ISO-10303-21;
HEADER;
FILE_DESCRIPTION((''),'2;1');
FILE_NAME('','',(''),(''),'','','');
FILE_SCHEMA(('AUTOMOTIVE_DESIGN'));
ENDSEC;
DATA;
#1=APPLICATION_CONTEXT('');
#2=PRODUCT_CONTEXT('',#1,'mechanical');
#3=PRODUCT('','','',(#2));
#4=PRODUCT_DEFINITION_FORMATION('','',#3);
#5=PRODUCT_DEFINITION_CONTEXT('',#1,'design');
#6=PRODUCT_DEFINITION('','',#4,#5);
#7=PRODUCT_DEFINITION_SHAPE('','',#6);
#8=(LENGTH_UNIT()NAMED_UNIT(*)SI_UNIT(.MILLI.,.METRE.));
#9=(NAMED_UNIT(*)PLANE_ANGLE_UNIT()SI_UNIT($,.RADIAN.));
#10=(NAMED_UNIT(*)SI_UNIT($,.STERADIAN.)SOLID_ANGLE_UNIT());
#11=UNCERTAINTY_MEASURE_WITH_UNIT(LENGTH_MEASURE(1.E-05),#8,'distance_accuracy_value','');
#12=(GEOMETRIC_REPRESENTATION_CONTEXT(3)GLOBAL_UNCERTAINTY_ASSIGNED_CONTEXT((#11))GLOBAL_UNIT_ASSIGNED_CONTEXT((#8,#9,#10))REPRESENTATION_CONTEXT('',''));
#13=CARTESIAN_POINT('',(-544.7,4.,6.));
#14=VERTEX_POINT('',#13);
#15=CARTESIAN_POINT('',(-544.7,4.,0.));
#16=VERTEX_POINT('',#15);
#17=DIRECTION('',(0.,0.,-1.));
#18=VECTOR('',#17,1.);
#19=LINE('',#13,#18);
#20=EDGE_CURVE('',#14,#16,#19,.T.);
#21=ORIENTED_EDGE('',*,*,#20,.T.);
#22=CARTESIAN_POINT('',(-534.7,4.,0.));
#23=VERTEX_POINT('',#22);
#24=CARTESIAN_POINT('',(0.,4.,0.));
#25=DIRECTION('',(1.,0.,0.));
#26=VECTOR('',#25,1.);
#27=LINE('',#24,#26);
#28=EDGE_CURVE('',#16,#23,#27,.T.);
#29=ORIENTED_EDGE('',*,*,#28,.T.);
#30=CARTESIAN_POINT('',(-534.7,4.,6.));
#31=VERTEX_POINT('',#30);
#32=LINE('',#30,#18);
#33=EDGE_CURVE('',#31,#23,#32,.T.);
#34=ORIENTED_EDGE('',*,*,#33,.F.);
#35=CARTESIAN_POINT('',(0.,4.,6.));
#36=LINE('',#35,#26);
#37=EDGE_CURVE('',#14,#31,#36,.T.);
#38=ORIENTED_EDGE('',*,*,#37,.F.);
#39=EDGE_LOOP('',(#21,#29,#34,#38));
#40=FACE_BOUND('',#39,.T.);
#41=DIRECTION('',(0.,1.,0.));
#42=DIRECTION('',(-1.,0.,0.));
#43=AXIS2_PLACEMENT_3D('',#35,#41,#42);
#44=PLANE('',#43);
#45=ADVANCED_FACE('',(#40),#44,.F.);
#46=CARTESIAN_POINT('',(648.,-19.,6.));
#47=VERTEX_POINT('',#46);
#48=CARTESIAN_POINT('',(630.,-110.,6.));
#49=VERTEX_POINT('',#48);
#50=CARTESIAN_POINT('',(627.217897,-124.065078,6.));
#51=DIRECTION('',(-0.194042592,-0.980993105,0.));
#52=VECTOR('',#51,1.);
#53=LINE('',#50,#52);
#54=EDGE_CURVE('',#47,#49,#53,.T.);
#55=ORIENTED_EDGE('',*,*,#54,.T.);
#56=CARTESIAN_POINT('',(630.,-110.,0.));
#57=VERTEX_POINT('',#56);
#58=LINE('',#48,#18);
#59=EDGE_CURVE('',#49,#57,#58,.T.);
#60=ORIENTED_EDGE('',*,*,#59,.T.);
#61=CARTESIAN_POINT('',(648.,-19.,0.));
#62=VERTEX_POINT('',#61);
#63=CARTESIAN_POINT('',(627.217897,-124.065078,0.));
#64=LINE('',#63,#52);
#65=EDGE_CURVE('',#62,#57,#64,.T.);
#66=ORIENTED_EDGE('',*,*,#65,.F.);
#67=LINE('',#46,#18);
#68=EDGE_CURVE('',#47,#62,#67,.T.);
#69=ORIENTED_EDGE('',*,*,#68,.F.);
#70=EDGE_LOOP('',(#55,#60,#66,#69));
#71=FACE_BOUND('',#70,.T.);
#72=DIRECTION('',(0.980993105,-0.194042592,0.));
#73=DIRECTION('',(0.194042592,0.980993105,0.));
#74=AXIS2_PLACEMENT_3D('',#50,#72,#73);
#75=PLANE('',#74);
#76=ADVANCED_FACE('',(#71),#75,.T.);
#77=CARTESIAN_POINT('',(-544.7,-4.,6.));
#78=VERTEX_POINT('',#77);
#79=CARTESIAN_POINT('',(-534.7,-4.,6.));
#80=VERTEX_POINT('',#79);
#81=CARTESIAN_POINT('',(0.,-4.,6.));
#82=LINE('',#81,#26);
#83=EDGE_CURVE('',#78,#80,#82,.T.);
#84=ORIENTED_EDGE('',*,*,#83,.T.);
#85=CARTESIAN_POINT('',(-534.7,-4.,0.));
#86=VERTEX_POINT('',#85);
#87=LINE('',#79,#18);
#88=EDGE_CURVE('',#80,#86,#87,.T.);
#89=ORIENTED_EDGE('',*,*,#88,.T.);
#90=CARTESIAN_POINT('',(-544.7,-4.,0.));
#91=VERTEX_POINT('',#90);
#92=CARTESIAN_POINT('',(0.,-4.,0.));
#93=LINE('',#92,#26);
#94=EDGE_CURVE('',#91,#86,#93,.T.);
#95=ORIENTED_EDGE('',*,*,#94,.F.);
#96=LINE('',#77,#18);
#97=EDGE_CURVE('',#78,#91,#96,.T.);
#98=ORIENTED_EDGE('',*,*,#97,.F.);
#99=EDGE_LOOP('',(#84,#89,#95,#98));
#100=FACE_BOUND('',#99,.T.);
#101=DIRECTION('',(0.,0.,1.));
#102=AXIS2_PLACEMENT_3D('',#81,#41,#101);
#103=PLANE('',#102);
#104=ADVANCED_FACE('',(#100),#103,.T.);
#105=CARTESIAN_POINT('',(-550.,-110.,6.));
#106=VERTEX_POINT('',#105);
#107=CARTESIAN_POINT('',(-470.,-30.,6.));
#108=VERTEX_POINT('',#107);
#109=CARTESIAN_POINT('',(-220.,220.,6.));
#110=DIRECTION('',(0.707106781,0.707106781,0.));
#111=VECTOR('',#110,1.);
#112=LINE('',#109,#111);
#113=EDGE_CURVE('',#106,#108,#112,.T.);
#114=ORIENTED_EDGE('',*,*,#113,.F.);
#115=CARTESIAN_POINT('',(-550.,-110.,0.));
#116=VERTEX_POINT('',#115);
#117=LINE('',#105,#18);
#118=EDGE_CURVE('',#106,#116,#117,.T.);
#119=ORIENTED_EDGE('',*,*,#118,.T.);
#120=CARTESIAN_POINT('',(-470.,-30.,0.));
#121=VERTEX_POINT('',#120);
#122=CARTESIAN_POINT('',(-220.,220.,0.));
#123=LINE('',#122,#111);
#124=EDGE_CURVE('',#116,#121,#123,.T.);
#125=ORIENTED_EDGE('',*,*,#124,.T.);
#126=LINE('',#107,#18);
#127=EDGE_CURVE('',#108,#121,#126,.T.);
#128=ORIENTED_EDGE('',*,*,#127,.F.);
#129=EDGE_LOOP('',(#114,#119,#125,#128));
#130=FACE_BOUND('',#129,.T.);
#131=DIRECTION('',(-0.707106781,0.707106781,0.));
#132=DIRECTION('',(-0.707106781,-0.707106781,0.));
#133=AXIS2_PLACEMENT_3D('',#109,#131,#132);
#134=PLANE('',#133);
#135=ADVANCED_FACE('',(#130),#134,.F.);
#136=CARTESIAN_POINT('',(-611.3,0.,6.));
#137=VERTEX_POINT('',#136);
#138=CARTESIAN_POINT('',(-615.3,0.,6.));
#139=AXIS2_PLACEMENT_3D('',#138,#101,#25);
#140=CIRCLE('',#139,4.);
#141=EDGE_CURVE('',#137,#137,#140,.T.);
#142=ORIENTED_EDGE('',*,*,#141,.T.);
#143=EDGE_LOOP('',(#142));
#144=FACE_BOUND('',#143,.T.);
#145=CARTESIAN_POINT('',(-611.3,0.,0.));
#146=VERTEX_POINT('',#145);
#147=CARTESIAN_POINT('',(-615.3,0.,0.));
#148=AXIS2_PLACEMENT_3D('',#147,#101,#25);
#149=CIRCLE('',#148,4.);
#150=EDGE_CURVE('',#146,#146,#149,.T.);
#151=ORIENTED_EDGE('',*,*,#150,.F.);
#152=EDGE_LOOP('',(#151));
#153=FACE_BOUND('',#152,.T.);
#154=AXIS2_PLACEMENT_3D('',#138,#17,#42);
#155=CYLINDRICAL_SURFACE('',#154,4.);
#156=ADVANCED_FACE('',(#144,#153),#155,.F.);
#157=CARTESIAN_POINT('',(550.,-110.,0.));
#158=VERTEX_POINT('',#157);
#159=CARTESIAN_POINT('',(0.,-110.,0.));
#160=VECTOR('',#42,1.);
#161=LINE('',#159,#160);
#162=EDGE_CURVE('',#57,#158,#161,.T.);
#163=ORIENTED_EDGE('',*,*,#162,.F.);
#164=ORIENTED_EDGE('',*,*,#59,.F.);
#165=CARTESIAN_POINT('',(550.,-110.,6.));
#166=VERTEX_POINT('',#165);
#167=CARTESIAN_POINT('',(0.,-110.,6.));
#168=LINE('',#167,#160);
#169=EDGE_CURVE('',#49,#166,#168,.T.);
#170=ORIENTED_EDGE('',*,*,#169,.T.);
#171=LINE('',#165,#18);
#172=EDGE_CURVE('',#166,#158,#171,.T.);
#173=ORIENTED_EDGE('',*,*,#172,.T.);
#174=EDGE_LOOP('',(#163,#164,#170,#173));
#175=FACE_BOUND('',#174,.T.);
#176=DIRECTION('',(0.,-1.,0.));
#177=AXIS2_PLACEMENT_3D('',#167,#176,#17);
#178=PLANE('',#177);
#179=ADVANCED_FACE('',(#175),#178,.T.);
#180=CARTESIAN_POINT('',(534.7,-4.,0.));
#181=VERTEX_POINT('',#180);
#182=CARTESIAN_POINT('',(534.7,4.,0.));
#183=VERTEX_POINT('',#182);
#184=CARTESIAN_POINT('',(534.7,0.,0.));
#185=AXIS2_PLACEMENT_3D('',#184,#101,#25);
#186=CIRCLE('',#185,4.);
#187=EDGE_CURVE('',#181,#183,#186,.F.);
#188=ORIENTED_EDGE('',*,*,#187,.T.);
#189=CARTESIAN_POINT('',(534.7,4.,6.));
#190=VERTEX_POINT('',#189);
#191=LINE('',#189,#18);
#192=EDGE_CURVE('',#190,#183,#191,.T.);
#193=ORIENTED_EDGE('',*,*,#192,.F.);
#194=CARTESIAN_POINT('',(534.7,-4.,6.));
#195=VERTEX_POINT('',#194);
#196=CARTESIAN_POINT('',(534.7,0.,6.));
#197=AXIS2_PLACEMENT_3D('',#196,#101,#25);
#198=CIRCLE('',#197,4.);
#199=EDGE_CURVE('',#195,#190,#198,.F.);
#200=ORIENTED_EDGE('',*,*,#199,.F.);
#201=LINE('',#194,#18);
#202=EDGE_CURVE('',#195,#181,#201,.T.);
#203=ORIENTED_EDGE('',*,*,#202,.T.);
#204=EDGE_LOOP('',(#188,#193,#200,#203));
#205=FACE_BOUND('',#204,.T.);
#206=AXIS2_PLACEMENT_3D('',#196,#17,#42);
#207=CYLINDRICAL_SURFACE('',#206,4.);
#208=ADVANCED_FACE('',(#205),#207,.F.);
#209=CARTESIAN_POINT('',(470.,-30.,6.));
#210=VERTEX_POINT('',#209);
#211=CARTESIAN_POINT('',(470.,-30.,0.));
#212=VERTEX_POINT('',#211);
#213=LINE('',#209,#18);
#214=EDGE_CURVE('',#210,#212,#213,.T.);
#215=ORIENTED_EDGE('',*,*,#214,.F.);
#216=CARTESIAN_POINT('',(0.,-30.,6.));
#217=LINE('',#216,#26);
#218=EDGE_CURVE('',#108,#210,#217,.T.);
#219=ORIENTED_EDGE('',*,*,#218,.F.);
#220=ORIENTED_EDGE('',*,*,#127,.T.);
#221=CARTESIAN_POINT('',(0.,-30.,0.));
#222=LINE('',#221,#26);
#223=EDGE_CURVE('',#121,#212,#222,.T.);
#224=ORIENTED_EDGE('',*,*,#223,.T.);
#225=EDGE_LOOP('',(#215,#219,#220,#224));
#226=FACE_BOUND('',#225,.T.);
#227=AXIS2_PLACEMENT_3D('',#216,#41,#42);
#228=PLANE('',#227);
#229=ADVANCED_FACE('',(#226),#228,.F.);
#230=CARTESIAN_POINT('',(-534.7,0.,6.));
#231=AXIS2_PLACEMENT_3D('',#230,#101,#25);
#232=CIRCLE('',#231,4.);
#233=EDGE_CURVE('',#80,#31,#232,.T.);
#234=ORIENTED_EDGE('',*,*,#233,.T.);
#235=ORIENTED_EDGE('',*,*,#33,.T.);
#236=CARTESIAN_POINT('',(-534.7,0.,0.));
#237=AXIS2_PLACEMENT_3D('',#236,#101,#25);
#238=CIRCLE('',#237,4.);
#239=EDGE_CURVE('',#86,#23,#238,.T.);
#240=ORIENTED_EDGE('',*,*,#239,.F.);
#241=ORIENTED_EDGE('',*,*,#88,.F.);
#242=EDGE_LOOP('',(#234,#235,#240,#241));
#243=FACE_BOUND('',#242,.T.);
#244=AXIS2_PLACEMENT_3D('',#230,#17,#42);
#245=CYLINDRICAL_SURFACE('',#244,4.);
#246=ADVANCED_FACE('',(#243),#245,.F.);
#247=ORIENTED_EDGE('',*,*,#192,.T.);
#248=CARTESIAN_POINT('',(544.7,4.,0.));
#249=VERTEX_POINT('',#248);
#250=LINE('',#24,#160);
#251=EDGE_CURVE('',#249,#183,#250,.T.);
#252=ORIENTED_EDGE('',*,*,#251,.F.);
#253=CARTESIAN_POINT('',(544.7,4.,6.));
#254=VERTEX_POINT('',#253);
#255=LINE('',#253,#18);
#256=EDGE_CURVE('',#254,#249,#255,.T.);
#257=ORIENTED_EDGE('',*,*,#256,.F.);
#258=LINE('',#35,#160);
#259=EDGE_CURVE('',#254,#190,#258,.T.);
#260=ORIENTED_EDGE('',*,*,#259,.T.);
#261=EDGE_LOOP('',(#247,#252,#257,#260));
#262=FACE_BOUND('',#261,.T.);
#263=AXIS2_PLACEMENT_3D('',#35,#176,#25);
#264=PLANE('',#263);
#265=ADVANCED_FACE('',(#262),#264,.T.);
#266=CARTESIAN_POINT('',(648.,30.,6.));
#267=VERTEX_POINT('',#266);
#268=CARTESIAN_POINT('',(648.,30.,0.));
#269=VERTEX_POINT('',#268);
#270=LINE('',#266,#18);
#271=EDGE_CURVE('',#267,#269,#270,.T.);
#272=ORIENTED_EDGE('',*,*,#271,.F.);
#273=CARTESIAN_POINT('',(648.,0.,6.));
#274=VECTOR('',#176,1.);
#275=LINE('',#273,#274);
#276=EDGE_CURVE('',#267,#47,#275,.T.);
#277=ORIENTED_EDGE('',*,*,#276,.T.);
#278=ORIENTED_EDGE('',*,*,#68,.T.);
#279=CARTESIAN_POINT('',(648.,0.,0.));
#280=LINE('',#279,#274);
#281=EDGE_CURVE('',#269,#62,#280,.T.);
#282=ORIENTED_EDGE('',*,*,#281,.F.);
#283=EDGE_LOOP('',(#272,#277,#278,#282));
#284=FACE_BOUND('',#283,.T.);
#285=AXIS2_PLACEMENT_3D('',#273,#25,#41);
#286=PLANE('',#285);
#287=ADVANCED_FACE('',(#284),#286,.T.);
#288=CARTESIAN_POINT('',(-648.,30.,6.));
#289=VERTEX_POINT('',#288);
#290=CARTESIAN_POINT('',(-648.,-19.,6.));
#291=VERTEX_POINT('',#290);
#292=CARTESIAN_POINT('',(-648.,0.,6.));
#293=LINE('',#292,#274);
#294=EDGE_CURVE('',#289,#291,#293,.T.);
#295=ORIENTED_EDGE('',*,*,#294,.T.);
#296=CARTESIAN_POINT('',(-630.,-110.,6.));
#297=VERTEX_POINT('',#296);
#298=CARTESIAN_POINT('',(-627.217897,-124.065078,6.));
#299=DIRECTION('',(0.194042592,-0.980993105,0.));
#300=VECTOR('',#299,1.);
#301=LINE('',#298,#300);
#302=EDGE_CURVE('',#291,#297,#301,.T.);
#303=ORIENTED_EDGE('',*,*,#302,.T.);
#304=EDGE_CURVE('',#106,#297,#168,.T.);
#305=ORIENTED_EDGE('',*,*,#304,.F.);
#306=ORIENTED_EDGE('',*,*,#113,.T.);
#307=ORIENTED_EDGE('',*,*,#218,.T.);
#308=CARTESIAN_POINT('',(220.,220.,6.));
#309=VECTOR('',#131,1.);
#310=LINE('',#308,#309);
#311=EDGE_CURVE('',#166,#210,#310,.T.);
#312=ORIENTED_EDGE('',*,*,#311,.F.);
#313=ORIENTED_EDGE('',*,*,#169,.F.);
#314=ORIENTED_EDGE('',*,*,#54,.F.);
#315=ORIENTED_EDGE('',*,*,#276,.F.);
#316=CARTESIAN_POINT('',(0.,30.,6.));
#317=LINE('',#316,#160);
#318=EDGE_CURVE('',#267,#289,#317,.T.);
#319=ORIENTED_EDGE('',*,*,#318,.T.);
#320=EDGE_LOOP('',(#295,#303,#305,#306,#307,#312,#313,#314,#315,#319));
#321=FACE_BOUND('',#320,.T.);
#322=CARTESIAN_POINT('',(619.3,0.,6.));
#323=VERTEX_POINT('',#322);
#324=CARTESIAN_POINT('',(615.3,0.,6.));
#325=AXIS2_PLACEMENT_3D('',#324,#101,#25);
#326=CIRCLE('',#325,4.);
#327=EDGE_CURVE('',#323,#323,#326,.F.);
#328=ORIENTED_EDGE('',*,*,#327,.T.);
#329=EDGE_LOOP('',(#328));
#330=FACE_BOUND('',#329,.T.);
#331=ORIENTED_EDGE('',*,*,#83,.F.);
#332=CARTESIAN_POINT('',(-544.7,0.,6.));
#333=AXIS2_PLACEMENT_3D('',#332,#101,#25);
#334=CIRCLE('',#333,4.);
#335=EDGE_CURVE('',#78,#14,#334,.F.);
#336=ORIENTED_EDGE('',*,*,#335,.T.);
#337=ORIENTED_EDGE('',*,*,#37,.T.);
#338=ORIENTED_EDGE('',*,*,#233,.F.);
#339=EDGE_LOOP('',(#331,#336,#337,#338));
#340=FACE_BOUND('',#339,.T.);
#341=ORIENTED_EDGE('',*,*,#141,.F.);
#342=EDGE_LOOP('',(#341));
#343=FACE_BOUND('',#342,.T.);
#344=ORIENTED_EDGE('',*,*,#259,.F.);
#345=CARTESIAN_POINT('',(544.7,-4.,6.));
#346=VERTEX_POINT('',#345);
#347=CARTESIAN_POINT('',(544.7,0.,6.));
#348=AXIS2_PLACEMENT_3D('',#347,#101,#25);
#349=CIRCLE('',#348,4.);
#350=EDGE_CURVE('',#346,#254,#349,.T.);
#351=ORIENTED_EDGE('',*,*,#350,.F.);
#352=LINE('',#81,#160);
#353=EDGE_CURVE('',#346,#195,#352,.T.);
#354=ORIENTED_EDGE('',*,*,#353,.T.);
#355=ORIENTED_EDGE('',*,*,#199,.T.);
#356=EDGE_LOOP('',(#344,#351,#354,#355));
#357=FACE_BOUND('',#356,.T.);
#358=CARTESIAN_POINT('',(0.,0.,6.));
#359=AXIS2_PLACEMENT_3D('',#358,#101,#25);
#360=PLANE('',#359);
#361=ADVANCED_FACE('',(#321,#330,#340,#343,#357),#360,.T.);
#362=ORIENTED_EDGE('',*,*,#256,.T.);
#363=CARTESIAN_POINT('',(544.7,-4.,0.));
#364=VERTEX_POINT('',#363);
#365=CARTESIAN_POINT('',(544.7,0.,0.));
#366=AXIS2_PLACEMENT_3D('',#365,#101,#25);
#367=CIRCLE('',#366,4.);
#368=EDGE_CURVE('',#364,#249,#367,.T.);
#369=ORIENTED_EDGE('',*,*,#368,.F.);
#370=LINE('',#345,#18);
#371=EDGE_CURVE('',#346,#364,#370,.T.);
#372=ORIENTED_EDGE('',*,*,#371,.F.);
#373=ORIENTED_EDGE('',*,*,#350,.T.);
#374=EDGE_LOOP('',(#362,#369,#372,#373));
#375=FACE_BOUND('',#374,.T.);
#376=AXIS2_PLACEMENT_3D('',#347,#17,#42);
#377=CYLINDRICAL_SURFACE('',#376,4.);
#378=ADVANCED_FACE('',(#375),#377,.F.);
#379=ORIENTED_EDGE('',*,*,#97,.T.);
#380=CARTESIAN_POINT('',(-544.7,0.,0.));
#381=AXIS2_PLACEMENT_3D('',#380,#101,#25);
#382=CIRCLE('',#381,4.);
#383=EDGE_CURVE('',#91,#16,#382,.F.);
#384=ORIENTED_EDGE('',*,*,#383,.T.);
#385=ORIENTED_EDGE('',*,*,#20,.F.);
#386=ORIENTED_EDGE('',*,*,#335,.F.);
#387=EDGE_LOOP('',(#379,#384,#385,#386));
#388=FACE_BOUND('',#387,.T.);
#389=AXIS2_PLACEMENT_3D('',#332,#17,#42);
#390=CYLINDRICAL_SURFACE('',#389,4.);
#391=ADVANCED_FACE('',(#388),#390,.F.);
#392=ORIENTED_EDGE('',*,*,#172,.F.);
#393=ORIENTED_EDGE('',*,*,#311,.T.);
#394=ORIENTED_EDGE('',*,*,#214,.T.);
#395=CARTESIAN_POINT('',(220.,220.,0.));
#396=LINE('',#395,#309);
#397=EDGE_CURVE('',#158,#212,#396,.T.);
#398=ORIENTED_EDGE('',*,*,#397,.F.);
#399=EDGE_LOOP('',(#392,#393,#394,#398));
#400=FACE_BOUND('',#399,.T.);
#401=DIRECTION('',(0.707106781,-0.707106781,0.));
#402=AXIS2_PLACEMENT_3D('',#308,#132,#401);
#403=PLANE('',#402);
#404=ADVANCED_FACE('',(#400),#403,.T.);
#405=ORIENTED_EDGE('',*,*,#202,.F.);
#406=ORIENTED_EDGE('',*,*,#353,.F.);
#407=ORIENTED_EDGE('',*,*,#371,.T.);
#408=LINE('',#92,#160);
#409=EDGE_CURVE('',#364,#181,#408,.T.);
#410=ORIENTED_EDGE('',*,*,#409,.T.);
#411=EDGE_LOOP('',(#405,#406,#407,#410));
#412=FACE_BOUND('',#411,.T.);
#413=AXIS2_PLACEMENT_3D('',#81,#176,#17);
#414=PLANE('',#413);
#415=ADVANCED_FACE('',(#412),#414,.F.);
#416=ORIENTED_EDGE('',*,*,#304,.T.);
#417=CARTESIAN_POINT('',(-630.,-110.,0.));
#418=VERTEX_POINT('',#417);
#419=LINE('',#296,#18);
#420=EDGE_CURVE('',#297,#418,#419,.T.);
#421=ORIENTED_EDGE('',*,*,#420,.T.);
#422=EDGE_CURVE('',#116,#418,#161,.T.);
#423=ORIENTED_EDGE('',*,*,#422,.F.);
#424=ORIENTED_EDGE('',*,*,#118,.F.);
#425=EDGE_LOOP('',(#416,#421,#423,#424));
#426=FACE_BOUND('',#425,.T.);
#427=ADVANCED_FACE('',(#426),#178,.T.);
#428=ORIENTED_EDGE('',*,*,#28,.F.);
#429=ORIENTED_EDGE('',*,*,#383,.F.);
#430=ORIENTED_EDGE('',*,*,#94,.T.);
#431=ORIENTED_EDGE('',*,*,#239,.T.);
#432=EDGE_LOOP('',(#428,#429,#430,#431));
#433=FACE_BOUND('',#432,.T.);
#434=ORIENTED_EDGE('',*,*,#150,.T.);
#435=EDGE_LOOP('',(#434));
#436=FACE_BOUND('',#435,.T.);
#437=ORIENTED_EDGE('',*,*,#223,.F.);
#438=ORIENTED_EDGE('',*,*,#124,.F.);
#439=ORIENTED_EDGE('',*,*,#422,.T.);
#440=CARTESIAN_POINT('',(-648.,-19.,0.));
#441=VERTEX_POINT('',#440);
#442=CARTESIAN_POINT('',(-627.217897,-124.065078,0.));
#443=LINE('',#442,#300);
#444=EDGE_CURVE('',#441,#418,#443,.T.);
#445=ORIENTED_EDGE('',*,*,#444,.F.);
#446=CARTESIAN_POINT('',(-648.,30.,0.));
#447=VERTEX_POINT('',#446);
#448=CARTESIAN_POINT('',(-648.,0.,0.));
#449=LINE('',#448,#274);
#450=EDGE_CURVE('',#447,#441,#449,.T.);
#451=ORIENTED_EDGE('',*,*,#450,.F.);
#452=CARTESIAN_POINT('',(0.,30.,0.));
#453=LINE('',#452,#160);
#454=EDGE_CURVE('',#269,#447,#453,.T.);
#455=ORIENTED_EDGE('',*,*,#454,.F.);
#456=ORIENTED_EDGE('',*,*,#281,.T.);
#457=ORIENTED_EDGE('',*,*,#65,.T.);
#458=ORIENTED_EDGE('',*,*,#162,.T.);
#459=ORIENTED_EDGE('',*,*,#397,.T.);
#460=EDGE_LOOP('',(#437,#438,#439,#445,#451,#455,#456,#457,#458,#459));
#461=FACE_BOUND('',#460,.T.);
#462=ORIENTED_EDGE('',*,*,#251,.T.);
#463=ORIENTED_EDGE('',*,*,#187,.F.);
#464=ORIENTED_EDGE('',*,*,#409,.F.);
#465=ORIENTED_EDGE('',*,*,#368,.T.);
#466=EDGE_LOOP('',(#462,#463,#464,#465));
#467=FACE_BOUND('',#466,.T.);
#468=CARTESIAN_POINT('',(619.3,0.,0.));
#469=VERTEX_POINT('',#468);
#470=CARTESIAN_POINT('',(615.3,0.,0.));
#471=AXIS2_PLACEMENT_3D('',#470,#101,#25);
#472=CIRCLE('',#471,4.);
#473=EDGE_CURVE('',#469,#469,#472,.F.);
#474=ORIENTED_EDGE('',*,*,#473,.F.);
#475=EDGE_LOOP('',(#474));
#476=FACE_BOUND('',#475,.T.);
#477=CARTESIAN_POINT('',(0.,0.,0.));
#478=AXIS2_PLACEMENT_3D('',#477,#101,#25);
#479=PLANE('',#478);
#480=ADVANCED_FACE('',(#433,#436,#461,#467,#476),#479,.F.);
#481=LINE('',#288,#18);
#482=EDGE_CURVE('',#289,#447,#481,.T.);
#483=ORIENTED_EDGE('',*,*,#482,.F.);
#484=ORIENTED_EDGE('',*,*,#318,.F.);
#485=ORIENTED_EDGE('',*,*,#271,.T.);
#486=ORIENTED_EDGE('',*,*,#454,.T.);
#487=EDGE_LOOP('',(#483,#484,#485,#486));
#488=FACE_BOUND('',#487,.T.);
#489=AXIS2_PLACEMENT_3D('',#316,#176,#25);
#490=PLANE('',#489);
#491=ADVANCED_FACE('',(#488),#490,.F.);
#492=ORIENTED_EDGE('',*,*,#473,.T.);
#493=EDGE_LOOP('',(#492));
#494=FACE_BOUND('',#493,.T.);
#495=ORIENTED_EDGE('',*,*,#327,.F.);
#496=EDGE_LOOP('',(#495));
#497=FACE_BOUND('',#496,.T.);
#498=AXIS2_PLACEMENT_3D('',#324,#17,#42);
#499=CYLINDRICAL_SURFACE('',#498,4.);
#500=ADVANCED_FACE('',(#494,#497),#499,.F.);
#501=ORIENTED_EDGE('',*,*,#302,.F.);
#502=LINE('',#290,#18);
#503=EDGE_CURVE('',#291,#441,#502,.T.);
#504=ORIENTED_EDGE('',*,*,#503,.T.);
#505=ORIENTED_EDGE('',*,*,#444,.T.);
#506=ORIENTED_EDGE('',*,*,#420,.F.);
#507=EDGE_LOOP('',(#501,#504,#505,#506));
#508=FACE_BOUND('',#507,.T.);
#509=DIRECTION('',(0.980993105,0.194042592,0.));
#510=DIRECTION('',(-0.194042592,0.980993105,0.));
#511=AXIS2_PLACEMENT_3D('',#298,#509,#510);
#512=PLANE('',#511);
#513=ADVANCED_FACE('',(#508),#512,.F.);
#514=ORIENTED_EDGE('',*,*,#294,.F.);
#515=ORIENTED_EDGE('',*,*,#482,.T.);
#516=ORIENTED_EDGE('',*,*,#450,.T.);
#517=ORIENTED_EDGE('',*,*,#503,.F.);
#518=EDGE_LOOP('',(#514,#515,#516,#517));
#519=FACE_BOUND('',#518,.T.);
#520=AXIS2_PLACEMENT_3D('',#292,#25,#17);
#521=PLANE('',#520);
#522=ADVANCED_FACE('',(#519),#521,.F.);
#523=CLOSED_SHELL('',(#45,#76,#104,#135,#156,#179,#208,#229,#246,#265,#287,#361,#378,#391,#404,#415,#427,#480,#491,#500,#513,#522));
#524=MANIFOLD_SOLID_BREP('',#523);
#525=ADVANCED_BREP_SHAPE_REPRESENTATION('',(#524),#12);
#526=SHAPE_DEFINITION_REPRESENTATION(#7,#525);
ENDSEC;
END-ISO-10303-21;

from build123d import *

# Parameters (mm, degrees)
CROQUIS1_R              = 4
SALIENTE_EXTRUIR1_DEPTH = 6


with BuildPart() as part:
    # Croquis1 → Saliente-Extruir1 (new body)
    with BuildSketch(Plane.XY):
        Polygon((-560, 30), (-600, 30), (-648, 30), (-648, -19), (-630, -110), (-600, -110), (-550, -110), (-470, -30), (470, -30), (550, -110), (600, -110), (630, -110), (648, -19), (648, 30), (600, 30), (560, 30), align=None)
        with Locations((-615.3, 0)):
            Circle(CROQUIS1_R, mode=Mode.SUBTRACT)
        with BuildLine():
            ThreePointArc((-544.7, -4), (-548.7, 0), (-544.7, 4))
            Line((-544.7, 4), (-534.7, 4))
            ThreePointArc((-534.7, 4), (-530.7, 0), (-534.7, -4))
            Line((-534.7, -4), (-544.7, -4))
        make_face(mode=Mode.SUBTRACT)
        with BuildLine():
            ThreePointArc((544.7, 4), (548.7, 0), (544.7, -4))
            Line((544.7, -4), (534.7, -4))
            ThreePointArc((534.7, -4), (530.7, 0), (534.7, 4))
            Line((534.7, 4), (544.7, 4))
        make_face(mode=Mode.SUBTRACT)
        with Locations((615.3, 0)):
            Circle(CROQUIS1_R, mode=Mode.SUBTRACT)
    extrude(amount=SALIENTE_EXTRUIR1_DEPTH)


solid = part.part
